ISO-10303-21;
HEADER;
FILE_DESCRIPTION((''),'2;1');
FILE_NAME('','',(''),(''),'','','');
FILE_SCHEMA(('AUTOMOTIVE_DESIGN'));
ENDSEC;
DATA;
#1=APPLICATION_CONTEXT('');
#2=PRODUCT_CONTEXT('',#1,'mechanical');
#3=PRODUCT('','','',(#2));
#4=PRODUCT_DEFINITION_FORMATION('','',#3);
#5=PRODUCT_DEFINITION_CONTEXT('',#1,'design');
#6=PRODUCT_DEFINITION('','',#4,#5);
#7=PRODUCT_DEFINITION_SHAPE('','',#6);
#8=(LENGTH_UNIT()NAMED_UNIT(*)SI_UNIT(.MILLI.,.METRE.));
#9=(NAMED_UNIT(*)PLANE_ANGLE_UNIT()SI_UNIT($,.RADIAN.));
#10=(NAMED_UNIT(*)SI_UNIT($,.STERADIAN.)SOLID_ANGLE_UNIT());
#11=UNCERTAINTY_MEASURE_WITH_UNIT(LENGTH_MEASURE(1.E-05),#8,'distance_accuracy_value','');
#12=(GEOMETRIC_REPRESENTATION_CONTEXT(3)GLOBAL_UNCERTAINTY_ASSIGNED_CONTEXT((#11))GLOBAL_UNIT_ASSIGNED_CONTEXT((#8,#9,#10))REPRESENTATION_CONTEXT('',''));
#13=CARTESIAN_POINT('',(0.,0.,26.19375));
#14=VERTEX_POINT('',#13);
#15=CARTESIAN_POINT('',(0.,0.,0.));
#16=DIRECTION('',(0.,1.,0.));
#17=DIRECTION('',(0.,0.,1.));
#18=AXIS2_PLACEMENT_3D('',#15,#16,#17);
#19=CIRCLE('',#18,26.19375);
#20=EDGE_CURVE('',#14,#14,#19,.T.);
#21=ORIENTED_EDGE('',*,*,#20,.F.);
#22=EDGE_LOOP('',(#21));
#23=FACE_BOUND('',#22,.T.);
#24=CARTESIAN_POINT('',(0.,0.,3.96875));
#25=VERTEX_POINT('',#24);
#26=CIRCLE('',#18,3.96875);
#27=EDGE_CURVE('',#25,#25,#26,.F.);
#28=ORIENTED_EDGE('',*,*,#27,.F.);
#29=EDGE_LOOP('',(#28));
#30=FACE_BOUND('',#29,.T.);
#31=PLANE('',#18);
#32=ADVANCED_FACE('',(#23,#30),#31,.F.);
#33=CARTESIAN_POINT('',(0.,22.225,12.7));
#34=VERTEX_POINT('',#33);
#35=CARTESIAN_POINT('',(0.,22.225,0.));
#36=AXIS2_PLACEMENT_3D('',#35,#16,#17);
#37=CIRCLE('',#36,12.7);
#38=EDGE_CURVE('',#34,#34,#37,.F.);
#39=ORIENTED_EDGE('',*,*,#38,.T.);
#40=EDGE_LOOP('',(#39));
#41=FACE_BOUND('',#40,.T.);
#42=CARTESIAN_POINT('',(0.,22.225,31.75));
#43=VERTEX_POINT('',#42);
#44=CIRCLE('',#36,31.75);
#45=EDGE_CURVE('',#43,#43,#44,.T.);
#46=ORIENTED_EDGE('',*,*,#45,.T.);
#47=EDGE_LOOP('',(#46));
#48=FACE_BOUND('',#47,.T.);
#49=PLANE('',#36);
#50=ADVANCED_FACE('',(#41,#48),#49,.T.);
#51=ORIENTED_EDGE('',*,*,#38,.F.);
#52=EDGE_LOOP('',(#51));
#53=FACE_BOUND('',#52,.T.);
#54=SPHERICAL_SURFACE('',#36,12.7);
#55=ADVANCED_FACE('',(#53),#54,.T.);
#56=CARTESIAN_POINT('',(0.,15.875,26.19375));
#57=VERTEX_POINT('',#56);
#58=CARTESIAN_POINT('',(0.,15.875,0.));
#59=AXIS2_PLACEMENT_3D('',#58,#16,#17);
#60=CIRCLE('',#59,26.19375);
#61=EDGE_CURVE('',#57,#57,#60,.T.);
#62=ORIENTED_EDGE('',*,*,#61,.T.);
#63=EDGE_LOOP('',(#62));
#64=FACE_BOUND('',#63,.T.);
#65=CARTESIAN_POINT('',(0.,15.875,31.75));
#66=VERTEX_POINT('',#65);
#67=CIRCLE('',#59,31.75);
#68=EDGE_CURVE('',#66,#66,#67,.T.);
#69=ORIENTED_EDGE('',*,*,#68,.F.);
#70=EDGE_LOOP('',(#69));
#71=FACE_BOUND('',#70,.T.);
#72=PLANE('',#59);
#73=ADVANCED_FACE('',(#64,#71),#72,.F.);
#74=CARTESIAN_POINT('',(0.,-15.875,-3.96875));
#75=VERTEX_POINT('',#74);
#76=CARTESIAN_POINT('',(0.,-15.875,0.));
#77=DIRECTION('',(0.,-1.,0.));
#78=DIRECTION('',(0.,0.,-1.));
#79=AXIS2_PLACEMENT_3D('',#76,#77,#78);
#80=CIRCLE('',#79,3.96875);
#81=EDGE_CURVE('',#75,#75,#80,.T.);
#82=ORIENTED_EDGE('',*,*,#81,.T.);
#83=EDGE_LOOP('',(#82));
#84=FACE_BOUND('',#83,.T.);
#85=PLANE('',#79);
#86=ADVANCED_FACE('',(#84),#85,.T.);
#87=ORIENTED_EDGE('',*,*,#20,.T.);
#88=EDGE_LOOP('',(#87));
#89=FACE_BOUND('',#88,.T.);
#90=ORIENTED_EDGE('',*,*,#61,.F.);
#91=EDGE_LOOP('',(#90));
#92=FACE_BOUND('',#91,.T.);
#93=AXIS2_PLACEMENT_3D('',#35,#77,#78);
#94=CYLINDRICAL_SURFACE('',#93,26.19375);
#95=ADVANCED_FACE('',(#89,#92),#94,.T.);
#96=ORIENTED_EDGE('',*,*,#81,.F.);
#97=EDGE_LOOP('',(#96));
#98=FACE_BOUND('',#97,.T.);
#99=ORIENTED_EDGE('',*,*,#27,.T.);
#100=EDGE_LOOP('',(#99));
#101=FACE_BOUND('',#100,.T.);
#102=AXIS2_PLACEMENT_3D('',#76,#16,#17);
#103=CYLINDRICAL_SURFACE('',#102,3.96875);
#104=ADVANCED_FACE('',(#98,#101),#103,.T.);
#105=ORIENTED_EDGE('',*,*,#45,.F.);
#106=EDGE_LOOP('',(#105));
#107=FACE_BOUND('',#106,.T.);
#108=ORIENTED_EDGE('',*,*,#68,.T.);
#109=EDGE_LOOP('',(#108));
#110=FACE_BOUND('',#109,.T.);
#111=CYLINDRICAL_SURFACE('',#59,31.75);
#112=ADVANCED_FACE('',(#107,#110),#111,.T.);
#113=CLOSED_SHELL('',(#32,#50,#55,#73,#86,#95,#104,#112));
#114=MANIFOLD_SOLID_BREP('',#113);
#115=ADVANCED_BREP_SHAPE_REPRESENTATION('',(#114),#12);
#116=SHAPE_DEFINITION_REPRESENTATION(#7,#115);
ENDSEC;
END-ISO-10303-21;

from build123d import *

# Parameters (mm, degrees)
SKETCH1_R           = 26.19375
BOSS_EXTRUDE1_DEPTH = 22.225
SKETCH2_R           = 31.75
BOSS_EXTRUDE2_DEPTH = 6.35
SKETCH4_R           = 3.96875
BOSS_EXTRUDE3_DEPTH = 15.875


with BuildPart() as part:
    # Sketch1 → Boss-Extrude1 (new body)
    with BuildSketch(Plane(origin=(0, 0, 0), x_dir=(1, 0, 0), z_dir=(0, 1, 0))):
        Circle(SKETCH1_R)
    extrude(amount=BOSS_EXTRUDE1_DEPTH)

    # Sketch2 → Boss-Extrude2 (add)
    with BuildSketch(Plane(origin=(0, 22.225, 0), x_dir=(1, 0, 0), z_dir=(0, 1, 0))):
        Circle(SKETCH2_R)
    extrude(amount=-BOSS_EXTRUDE2_DEPTH)

    # Sketch3 → Revolve1 (revolve)
    with BuildSketch(Plane(origin=(0, 22.225, 0), x_dir=(1, 0, 0), z_dir=(0, 1, 0))):
        with BuildLine():
            Line((0, -12.7), (0, 12.7))
            ThreePointArc((0, 12.7), (12.7, 0), (0, -12.7))
        make_face()
    revolve(axis=Axis((0, 22.225, -45.379060403), (0, 0, 1)))

    # Sketch4 → Boss-Extrude3 (add)
    with BuildSketch(Plane.XZ):
        Circle(SKETCH4_R)
    extrude(amount=BOSS_EXTRUDE3_DEPTH)


solid = part.part
